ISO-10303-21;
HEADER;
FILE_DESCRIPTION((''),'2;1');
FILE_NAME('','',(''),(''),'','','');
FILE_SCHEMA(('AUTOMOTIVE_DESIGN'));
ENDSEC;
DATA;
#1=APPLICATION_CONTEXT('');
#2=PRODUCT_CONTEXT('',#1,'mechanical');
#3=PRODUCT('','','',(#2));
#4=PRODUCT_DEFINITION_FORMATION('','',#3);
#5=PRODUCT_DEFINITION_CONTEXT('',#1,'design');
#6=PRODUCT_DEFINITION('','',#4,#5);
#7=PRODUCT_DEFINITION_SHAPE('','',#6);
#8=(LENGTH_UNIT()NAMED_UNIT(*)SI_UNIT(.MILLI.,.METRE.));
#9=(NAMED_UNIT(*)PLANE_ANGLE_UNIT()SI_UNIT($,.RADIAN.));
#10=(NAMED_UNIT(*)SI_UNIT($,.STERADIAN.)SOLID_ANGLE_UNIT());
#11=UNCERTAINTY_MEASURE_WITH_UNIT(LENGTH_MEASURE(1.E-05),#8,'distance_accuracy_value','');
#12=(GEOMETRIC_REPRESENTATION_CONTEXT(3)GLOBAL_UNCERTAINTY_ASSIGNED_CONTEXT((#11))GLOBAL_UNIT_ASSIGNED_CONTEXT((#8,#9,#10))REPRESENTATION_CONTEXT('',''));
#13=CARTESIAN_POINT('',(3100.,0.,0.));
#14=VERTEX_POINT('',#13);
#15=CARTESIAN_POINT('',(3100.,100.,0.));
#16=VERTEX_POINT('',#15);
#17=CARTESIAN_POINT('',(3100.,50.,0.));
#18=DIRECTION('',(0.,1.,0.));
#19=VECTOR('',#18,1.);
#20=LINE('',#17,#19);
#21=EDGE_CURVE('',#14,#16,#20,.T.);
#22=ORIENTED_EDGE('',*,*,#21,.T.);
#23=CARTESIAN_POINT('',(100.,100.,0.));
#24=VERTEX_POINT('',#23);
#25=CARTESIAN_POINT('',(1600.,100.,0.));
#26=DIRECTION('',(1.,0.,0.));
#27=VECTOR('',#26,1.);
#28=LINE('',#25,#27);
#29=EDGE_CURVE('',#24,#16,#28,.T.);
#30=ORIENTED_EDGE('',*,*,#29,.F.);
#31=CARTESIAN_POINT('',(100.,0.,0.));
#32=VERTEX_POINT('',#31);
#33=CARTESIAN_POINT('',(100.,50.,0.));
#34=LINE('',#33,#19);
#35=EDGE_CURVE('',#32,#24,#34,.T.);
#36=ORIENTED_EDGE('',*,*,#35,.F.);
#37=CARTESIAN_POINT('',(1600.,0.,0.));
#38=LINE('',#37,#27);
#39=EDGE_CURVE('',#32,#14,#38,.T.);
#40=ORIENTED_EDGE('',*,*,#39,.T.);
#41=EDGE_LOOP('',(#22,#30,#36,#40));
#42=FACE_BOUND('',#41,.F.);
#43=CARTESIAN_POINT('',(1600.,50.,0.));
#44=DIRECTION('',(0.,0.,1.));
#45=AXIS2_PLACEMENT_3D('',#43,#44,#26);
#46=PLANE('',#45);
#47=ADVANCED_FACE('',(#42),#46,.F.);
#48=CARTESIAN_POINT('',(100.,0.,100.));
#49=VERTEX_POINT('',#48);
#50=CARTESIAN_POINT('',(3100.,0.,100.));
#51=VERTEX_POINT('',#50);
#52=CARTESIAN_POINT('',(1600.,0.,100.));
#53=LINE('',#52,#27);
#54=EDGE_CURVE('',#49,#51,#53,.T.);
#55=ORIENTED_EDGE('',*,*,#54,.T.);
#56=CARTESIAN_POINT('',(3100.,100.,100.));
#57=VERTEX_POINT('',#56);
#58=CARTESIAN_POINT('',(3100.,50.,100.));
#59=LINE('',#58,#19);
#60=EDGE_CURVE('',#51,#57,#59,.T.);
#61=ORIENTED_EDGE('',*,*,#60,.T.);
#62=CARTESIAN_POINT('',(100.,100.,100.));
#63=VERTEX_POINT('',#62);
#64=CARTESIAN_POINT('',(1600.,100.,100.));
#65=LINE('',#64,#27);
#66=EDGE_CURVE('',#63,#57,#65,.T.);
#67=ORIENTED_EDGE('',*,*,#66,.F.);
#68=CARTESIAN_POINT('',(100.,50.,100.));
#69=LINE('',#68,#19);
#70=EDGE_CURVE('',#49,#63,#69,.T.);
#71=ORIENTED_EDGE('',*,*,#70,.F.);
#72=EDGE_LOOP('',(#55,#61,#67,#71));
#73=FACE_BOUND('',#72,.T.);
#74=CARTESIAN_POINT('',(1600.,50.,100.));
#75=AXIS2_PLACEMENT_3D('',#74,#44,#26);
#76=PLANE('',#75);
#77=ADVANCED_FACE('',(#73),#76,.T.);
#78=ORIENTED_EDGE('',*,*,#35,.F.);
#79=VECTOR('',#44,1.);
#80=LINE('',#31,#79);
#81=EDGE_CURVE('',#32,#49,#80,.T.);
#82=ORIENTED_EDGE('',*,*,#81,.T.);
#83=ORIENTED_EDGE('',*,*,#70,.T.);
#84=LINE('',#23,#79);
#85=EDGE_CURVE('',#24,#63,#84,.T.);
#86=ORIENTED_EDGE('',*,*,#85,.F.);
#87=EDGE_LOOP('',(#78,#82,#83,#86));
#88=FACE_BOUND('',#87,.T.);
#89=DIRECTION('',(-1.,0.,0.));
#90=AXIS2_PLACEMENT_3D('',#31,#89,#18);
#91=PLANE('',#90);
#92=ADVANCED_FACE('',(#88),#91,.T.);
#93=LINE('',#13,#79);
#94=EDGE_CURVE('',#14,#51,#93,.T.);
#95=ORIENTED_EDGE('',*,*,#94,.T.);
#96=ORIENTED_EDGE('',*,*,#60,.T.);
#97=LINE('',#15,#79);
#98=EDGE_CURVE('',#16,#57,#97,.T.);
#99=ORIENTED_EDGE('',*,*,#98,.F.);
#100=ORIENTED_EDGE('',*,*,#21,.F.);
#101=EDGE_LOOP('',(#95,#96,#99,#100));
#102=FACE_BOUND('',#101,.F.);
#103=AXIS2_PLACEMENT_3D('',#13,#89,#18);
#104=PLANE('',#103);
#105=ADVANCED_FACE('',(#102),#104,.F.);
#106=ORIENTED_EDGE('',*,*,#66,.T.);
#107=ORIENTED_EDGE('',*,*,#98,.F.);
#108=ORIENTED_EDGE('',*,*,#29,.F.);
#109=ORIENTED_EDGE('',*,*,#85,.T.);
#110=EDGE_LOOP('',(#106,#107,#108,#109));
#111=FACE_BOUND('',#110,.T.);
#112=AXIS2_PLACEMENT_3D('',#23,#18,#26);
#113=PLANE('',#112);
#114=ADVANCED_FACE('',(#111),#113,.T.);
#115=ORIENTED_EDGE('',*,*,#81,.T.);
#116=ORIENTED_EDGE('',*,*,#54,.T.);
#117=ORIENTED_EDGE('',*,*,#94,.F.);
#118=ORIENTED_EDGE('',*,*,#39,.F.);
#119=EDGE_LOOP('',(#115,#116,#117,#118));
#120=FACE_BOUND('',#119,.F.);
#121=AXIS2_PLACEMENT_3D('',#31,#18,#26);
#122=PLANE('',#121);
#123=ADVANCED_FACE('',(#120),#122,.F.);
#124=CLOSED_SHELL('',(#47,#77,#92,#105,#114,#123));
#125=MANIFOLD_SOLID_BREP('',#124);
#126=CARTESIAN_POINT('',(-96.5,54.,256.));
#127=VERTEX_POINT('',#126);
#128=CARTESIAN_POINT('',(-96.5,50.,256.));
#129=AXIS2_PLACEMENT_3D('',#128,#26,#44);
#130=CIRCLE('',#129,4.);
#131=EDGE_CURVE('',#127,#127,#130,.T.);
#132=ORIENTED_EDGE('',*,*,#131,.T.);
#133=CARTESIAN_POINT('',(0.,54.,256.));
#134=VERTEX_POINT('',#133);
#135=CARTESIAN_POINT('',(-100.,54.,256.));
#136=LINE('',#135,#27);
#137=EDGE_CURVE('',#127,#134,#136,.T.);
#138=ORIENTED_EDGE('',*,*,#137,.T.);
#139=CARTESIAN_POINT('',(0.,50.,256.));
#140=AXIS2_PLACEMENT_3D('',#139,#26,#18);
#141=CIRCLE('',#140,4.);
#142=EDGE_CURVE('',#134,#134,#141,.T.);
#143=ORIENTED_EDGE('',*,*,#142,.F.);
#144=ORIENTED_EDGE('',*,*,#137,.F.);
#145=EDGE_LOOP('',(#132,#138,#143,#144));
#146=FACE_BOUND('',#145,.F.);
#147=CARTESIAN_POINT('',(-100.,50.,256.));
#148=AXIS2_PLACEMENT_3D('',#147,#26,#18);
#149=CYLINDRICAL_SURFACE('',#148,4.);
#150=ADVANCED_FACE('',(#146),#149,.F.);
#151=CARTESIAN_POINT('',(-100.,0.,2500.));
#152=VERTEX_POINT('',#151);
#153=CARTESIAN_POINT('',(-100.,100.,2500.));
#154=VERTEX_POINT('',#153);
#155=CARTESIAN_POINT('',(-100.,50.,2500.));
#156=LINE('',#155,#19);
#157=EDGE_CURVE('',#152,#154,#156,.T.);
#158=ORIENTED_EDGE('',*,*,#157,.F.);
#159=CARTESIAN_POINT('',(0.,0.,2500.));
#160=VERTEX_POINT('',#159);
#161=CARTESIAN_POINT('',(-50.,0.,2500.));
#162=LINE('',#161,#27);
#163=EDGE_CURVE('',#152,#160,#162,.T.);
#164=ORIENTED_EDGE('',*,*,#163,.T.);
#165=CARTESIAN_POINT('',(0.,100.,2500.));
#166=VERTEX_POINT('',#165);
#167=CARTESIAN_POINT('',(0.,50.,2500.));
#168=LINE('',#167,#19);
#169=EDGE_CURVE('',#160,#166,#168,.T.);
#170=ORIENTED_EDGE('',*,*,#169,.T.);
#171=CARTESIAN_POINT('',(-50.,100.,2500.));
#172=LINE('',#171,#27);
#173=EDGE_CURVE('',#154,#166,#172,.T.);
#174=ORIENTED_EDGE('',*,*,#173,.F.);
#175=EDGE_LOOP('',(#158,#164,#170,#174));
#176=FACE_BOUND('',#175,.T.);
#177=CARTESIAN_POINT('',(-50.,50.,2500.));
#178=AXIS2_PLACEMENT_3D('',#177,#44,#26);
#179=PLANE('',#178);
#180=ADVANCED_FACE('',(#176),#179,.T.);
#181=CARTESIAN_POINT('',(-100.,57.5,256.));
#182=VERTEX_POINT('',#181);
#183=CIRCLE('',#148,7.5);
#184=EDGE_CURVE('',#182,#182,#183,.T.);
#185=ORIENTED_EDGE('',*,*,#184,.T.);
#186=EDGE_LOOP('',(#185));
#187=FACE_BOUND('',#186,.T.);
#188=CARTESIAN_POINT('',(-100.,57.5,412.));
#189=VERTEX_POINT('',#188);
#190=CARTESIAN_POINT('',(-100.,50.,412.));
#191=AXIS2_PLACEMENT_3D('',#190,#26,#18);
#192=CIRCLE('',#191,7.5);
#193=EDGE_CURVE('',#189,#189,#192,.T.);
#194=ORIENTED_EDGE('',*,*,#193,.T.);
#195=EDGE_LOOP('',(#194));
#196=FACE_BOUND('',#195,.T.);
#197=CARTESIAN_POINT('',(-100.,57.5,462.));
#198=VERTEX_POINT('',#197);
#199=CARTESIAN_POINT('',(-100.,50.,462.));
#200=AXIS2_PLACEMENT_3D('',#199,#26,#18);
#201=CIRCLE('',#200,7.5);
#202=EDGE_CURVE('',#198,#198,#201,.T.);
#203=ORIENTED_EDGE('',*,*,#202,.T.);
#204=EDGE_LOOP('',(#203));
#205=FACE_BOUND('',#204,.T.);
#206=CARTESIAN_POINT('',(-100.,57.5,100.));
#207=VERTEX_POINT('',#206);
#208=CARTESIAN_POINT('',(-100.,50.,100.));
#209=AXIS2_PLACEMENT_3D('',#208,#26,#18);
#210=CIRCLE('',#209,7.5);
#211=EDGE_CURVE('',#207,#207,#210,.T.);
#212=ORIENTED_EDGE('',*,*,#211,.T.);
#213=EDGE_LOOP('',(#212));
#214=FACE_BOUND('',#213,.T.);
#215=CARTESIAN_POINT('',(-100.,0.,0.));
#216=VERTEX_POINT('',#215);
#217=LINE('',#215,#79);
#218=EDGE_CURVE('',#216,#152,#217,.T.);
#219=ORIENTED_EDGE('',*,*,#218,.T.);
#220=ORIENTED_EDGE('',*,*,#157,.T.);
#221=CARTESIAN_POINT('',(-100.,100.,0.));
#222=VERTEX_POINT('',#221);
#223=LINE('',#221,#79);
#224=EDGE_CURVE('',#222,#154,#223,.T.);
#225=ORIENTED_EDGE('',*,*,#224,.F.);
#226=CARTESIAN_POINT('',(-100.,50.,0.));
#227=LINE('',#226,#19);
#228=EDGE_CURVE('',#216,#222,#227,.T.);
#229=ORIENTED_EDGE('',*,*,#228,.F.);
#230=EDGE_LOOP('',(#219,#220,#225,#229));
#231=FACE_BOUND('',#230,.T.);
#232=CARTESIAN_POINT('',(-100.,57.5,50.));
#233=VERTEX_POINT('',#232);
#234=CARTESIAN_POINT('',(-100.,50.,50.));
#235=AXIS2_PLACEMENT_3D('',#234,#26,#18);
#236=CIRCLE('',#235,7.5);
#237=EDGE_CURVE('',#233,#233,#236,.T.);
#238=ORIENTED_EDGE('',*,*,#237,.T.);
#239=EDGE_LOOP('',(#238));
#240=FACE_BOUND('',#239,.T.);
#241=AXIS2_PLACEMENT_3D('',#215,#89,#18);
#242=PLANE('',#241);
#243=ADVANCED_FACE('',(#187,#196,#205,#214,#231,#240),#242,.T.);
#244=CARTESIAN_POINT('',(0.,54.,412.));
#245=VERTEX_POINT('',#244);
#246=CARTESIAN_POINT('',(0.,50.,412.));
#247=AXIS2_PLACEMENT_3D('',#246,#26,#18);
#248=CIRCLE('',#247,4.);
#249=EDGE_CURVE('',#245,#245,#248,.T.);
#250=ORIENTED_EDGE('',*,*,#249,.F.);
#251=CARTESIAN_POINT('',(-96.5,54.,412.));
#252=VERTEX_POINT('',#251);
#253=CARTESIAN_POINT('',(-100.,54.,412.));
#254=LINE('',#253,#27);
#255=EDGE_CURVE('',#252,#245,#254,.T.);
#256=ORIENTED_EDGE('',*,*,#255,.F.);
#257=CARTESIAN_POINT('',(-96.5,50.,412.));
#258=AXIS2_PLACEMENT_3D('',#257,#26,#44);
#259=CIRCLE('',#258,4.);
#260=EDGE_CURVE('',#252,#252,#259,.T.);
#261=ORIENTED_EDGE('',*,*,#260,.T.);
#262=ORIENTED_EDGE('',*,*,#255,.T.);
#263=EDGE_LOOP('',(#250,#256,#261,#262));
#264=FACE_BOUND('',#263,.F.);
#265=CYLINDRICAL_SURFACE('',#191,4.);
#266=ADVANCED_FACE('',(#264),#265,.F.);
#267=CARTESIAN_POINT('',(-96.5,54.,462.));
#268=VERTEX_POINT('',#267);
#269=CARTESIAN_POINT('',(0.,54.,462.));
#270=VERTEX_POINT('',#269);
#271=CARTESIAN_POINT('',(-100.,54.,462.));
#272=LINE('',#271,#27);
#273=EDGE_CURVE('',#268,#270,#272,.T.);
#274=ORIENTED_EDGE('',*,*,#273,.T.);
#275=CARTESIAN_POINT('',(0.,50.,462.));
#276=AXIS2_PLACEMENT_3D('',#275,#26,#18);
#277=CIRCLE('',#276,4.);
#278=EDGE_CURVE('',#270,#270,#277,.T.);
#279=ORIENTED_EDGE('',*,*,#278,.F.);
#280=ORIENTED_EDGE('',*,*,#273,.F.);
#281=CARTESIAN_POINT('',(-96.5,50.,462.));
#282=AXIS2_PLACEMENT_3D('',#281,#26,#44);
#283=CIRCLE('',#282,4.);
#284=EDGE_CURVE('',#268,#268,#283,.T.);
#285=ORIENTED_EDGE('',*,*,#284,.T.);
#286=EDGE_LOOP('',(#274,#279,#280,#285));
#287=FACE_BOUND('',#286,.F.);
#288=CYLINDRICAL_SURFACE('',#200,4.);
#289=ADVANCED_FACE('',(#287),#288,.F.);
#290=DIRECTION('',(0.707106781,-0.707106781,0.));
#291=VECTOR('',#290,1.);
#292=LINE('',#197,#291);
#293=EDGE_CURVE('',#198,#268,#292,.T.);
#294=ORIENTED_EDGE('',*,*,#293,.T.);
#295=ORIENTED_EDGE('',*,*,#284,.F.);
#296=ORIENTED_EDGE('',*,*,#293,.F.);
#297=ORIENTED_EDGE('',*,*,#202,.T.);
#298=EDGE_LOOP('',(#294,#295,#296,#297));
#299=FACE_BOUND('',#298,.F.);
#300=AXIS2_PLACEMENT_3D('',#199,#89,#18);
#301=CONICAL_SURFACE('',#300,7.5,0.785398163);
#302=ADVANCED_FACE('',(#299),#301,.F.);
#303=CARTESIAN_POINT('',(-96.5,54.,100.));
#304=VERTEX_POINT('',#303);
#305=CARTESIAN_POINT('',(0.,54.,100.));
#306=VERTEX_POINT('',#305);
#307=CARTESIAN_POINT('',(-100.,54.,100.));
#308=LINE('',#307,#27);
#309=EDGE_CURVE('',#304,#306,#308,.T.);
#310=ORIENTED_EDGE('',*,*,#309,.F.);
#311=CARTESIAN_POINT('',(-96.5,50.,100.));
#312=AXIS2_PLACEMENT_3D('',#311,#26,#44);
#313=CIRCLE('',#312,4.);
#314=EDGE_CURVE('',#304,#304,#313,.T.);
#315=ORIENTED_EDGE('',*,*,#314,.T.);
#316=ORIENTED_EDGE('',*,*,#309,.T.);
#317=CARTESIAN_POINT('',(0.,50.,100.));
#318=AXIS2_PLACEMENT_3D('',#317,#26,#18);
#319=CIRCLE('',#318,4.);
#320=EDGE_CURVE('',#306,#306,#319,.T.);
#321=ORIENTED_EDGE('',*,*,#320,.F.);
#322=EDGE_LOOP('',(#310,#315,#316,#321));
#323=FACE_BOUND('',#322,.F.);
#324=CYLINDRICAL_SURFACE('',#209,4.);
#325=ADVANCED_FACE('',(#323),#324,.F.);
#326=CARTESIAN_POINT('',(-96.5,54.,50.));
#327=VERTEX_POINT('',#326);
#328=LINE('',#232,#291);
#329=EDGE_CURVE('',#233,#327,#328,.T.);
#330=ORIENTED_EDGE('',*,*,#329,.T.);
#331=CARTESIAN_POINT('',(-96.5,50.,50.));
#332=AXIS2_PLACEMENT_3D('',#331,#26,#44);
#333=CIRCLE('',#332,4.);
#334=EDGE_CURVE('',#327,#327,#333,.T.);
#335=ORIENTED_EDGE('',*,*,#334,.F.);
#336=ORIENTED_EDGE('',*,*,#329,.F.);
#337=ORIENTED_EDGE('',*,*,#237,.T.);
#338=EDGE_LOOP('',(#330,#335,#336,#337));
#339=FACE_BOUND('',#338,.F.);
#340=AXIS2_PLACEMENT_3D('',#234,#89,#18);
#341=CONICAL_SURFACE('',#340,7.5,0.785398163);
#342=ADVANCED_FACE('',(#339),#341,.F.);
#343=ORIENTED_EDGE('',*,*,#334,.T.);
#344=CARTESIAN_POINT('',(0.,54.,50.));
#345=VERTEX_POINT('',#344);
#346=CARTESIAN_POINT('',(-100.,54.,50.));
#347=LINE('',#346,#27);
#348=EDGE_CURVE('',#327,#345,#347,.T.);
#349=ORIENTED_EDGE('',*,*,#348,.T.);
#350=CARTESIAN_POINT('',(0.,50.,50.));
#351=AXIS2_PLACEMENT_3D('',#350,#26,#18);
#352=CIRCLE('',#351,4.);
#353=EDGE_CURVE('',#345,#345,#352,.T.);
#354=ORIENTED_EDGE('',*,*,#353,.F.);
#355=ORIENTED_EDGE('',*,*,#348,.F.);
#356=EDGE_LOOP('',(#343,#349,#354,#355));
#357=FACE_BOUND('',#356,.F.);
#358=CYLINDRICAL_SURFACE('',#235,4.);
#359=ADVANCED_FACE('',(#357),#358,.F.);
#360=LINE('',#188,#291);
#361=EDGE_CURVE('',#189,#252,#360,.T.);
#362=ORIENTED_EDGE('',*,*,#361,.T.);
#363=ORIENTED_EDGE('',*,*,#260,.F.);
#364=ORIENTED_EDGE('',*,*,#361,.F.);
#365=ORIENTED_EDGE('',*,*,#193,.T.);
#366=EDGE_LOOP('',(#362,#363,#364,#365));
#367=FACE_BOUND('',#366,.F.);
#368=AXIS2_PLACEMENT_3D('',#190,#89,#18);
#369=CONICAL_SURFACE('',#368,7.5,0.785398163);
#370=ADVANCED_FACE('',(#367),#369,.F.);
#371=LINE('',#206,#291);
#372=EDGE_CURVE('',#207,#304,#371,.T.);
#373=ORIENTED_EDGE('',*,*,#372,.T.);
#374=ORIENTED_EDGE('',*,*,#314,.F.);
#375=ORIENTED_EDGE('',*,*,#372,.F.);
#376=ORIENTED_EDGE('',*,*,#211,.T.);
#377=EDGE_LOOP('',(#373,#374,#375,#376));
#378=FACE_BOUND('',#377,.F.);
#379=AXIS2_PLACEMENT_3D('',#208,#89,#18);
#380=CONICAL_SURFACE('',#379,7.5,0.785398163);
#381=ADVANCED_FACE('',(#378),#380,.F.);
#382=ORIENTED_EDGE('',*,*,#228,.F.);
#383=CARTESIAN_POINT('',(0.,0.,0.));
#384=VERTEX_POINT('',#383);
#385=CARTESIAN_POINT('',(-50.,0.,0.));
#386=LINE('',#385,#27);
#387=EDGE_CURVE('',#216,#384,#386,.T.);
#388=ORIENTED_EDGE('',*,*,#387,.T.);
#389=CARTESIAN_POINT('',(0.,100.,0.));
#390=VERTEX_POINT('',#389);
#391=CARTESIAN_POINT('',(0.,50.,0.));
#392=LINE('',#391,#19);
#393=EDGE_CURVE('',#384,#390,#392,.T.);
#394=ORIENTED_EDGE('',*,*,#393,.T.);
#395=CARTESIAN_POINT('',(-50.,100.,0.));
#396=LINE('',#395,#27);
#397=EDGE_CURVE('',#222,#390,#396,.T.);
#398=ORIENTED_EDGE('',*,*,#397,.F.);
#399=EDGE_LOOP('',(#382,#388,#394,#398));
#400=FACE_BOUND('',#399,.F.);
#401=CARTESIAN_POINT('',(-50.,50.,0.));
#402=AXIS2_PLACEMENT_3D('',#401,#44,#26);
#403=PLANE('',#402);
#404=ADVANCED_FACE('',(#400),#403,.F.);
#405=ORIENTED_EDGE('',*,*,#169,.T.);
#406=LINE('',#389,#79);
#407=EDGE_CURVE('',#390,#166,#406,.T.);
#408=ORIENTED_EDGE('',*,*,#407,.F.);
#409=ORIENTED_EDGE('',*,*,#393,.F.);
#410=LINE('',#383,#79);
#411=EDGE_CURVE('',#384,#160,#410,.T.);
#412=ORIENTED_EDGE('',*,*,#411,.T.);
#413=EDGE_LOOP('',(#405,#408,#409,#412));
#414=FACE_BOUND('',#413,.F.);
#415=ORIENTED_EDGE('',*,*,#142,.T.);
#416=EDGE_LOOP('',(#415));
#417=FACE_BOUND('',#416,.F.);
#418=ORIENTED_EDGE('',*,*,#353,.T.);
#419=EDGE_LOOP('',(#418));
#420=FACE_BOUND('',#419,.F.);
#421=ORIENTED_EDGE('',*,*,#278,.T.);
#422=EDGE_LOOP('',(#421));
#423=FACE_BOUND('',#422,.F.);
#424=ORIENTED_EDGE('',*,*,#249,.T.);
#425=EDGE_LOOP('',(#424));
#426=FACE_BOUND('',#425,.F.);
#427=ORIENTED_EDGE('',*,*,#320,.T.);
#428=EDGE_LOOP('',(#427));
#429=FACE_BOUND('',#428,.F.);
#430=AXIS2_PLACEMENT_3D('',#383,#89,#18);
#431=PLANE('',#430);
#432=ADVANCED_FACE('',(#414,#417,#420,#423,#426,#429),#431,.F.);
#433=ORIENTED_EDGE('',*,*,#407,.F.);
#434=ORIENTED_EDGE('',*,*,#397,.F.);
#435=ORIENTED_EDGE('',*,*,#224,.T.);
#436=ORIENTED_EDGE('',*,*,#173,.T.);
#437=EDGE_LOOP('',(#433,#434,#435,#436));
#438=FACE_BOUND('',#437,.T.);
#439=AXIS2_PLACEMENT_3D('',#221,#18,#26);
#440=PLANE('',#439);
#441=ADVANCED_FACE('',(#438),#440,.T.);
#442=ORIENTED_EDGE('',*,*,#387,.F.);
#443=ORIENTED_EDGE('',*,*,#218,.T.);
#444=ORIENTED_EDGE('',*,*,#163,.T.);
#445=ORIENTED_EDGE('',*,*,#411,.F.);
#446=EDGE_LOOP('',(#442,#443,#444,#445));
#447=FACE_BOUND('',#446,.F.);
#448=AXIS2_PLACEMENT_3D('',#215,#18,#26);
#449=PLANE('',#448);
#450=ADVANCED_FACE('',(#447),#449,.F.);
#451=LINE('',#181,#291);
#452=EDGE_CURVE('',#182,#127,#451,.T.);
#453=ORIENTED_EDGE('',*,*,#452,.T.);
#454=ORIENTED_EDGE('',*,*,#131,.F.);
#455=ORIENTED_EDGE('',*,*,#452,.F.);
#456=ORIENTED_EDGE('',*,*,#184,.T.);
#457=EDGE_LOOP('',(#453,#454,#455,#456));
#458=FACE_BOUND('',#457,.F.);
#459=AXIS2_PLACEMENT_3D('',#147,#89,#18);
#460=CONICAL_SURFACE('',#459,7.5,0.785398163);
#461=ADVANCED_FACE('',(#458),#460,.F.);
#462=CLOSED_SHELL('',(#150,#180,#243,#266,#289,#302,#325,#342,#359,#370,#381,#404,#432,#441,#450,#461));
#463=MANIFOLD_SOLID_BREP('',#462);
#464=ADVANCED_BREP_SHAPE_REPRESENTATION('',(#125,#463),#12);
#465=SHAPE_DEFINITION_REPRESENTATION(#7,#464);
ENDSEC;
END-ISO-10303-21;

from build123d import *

# Parameters (mm, degrees)
F0_W           = 100
F0_H           = 100
F1_DEPTH       = 2500
F2_W           = 3000
F2_H           = 100
F3_DEPTH       = 100
F5_D           = 8
F5_CSINK_D     = 15
F5_CSINK_ANGLE = 90


with BuildPart() as f1:
    # F0 (on Top) → F1 (new body)
    with BuildSketch(Plane.XY):
        with Locations((-50, 50)):
            Rectangle(F0_W, F0_H)
    extrude(amount=F1_DEPTH)

    # F5 (through all)
    with Locations(Plane(origin=(-100, 0, 0), x_dir=(0, -1, 0), z_dir=(-1, 0, 0))):
        with Locations((-50, 462), (-50, 412), (-50, 256), (-50, 100), (-50, 50)):
            CounterSinkHole(F5_D / 2, F5_CSINK_D / 2, counter_sink_angle=F5_CSINK_ANGLE)


with BuildPart() as f3:
    # F2 (on Top) → F3 (new body)
    with BuildSketch(Plane.XY):
        with Locations((1600, 50)):
            Rectangle(F2_W, F2_H)
    extrude(amount=F3_DEPTH)


solid = Compound([f1.part, f3.part])
